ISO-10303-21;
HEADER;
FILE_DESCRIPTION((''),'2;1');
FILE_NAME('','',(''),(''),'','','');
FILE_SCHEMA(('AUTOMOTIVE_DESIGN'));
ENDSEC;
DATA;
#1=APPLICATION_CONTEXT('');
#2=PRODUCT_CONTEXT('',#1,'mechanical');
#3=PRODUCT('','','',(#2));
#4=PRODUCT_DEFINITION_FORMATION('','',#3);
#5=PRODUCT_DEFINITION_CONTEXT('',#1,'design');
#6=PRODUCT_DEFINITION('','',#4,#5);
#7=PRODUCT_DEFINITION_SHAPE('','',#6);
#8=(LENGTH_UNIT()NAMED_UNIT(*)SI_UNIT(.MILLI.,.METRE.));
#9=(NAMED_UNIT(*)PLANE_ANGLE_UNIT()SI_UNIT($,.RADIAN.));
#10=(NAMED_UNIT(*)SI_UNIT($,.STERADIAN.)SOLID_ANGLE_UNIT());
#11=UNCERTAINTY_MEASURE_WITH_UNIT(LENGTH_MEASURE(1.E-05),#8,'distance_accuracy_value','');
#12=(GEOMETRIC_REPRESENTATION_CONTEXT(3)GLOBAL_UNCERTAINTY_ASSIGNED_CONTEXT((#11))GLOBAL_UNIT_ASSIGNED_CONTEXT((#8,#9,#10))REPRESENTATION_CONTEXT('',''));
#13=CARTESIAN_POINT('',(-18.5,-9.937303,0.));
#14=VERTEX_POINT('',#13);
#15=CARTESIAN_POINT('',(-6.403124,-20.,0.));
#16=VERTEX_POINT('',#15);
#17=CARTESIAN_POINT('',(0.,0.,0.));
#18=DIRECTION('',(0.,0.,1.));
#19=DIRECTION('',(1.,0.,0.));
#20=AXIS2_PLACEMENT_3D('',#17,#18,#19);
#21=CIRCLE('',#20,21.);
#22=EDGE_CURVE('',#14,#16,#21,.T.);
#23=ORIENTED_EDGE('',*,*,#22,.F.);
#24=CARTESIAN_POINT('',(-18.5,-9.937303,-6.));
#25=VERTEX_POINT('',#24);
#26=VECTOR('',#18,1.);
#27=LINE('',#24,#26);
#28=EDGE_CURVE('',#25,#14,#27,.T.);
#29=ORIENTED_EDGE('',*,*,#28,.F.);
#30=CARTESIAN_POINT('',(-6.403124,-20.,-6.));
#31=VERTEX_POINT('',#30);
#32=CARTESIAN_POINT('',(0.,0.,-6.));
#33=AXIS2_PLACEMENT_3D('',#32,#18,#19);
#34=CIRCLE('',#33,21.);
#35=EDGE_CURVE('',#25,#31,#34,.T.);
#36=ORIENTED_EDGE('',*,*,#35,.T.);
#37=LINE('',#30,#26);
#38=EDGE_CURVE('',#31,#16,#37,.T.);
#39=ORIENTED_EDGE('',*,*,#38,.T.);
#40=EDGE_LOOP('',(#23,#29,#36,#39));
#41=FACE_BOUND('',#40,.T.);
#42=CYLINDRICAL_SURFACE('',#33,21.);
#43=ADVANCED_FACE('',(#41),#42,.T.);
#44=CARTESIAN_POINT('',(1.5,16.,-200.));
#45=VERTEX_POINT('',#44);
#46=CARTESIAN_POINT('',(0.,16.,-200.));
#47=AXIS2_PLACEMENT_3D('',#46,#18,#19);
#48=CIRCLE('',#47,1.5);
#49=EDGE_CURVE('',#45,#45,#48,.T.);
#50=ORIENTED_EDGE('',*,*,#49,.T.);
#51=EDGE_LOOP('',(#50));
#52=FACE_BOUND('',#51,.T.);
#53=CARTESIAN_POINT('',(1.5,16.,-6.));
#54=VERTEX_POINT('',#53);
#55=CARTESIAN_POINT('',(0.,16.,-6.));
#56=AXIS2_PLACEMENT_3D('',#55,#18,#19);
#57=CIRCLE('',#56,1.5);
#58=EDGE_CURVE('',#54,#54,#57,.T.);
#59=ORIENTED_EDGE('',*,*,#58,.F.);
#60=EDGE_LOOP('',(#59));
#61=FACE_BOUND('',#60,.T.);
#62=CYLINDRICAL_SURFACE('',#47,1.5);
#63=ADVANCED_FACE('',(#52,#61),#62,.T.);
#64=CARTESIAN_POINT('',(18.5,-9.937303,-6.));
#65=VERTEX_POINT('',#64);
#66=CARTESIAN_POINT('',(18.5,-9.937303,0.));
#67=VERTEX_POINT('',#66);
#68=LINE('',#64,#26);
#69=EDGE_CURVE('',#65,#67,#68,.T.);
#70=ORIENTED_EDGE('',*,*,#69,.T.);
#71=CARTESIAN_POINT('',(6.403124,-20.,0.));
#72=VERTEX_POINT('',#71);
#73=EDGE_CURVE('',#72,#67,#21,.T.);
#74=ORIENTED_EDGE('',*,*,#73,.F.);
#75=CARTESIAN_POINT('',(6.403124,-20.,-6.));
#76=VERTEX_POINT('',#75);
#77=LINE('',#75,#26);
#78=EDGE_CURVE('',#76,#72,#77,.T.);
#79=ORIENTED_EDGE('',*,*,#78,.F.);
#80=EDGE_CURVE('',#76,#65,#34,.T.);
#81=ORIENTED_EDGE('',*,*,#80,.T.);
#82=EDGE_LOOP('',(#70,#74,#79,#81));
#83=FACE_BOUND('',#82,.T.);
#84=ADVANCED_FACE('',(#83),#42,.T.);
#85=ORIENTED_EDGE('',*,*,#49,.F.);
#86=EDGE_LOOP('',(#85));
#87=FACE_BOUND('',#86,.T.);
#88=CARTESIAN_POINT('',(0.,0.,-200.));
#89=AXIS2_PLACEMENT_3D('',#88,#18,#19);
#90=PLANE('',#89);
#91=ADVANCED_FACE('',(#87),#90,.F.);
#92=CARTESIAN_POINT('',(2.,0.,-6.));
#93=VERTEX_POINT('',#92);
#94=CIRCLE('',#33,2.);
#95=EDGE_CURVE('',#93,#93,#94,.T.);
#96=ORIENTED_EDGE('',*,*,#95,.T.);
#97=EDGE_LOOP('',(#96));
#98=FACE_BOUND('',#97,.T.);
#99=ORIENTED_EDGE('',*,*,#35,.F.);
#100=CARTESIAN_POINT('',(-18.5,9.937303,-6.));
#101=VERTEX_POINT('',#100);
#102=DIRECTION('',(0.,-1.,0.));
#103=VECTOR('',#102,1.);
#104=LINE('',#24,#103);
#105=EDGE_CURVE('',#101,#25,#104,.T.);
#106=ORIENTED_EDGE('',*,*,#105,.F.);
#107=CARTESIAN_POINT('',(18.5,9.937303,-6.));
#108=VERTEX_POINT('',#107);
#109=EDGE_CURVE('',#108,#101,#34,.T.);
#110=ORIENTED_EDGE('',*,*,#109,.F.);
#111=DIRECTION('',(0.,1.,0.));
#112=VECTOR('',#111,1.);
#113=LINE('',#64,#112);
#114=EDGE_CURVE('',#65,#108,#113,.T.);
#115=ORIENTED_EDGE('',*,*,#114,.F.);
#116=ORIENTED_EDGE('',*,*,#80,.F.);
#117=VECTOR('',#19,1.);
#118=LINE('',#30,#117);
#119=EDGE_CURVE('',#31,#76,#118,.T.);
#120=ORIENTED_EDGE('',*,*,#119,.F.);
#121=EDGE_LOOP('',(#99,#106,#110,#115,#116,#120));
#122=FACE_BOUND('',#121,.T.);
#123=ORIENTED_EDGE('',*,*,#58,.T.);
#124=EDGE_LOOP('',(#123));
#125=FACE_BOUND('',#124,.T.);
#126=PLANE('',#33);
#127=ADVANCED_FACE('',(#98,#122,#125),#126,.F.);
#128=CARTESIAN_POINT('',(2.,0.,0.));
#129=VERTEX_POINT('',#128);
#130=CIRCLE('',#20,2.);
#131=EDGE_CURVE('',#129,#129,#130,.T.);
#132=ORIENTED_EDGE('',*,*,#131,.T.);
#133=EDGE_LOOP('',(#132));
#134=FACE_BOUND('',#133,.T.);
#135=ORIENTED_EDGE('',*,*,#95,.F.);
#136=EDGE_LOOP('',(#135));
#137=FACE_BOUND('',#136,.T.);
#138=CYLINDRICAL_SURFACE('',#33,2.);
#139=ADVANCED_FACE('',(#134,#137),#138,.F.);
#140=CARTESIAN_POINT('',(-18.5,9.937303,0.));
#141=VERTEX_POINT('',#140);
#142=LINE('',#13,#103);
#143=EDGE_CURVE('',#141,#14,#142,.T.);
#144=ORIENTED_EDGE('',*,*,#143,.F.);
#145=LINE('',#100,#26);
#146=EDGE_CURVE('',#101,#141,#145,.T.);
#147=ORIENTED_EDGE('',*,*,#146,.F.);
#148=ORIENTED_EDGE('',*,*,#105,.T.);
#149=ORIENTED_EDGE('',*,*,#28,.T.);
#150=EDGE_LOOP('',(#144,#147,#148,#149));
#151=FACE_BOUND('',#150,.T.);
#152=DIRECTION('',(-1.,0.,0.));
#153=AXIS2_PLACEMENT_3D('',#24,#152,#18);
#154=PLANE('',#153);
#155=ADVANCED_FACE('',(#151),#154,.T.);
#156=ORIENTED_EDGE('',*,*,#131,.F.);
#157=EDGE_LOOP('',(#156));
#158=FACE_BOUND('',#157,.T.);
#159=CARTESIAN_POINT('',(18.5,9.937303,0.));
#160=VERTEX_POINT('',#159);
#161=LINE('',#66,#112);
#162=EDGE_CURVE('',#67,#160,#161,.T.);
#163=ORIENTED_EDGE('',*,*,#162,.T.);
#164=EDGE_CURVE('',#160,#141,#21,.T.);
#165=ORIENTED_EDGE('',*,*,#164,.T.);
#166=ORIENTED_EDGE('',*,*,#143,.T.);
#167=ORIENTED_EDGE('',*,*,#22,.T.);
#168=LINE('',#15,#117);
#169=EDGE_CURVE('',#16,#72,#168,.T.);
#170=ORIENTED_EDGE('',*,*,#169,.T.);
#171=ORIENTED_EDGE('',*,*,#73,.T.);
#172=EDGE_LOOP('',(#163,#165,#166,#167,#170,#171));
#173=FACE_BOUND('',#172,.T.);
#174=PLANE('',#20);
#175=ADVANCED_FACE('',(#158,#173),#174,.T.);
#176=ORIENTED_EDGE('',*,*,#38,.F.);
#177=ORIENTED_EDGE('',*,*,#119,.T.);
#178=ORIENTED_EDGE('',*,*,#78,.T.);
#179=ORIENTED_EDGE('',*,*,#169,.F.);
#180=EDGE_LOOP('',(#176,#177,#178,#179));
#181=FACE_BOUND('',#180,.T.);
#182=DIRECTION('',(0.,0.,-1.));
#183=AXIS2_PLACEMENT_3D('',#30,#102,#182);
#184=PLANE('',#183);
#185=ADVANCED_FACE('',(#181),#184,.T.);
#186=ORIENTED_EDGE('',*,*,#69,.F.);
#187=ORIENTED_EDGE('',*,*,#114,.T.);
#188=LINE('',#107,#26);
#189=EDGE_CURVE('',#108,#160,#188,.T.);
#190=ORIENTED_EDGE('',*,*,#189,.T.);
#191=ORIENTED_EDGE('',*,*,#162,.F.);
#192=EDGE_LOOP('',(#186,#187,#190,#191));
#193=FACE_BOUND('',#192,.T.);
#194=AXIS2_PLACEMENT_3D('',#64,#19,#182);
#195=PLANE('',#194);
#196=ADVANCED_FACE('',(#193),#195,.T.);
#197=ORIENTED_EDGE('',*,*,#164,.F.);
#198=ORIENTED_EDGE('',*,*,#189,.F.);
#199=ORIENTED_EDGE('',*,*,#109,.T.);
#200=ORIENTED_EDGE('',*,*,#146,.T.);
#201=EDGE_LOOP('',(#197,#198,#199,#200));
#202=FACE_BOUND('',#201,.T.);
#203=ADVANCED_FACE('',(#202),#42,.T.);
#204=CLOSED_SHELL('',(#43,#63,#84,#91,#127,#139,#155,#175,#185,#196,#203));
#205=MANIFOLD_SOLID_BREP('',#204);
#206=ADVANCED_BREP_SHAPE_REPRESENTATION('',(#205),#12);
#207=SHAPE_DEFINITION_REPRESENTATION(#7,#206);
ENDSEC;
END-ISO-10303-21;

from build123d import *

# Parameters (mm, degrees)
SKETCH_1_R      = 2
SKETCH_1_R_2    = 1.5
EXTRUDE_1_DEPTH = 6
SKETCH_1_2_R    = 1.5
EXTRUDE_2_DEPTH = 200


with BuildPart() as part:
    # 草图1 → 凸台-拉伸1 (new body)
    with BuildSketch(Plane.XY):
        with BuildLine():
            Line((-6.403124237, -20), (6.403124237, -20))
            ThreePointArc((6.403124237, -20), (13.429663608, -16.144476931), (18.5, -9.937303457))
            Line((18.5, -9.937303457), (18.5, 9.937303457))
            ThreePointArc((18.5, 9.937303457), (0, 21), (-18.5, 9.937303457))
            Line((-18.5, 9.937303457), (-18.5, -9.937303457))
            ThreePointArc((-18.5, -9.937303457), (-13.429663608, -16.144476931), (-6.403124237, -20))
        make_face()
        Circle(SKETCH_1_R, mode=Mode.SUBTRACT)
        with Locations((0, 16)):
            Circle(SKETCH_1_R_2, mode=Mode.SUBTRACT)
    extrude(amount=-EXTRUDE_1_DEPTH)

    # 草图1<2> → 凸台-拉伸2 (add)
    with BuildSketch(Plane.XY):
        with Locations((0, 16)):
            Circle(SKETCH_1_2_R)
    extrude(amount=-EXTRUDE_2_DEPTH)


solid = part.part
